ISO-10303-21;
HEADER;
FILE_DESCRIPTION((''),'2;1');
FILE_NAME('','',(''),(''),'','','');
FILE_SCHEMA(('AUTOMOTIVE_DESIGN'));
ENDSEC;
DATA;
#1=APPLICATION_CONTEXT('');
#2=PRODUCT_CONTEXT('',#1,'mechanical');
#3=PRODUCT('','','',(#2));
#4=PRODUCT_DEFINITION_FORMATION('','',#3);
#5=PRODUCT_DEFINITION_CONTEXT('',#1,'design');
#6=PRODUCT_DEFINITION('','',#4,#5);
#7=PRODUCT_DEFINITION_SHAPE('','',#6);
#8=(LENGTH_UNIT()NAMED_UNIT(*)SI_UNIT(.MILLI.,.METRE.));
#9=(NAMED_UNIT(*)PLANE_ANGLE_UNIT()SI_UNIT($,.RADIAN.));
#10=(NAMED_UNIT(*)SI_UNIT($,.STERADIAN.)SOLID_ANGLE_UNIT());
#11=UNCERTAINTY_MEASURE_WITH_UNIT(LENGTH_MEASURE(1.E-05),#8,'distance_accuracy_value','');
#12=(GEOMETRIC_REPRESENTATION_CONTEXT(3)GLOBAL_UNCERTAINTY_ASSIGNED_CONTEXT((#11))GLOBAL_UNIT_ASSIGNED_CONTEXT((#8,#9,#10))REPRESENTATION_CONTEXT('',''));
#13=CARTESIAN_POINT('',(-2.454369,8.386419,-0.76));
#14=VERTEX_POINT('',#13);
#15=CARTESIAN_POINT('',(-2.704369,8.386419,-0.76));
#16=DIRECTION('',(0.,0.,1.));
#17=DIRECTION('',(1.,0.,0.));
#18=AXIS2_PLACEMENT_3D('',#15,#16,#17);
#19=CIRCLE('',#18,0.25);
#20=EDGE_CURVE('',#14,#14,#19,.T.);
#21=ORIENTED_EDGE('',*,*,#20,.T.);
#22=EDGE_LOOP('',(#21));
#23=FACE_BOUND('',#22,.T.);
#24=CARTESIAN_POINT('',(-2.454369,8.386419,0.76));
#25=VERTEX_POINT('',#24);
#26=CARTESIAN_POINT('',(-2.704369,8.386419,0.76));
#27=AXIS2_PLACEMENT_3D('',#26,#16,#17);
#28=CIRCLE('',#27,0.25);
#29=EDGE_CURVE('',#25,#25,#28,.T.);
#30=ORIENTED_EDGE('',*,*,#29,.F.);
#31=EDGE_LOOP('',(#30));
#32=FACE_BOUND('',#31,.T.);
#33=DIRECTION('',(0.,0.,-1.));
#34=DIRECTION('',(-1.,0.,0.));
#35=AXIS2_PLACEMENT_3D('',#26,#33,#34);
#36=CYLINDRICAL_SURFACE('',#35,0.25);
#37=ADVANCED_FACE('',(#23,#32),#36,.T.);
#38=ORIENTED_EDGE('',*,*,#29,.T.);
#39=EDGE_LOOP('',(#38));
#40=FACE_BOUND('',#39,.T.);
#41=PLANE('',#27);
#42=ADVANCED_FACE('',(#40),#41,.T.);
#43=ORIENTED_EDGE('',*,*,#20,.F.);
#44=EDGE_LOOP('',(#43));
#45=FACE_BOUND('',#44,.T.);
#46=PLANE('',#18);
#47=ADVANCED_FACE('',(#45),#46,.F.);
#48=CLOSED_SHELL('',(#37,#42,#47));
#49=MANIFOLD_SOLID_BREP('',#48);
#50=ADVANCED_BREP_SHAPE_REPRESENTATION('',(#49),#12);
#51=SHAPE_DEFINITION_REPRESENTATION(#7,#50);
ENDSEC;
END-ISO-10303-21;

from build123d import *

# Parameters (mm, degrees)
SKETCH1_R           = 0.25
BOSS_EXTRUDE1_DEPTH = 0.76


with BuildPart() as part:
    # Sketch1 → Boss-Extrude1 (new, symmetric)
    with BuildSketch(Plane.XY):
        with Locations((-2.704368639, 8.386419333)):
            Circle(SKETCH1_R)
    extrude(amount=BOSS_EXTRUDE1_DEPTH, both=True)


solid = part.part
